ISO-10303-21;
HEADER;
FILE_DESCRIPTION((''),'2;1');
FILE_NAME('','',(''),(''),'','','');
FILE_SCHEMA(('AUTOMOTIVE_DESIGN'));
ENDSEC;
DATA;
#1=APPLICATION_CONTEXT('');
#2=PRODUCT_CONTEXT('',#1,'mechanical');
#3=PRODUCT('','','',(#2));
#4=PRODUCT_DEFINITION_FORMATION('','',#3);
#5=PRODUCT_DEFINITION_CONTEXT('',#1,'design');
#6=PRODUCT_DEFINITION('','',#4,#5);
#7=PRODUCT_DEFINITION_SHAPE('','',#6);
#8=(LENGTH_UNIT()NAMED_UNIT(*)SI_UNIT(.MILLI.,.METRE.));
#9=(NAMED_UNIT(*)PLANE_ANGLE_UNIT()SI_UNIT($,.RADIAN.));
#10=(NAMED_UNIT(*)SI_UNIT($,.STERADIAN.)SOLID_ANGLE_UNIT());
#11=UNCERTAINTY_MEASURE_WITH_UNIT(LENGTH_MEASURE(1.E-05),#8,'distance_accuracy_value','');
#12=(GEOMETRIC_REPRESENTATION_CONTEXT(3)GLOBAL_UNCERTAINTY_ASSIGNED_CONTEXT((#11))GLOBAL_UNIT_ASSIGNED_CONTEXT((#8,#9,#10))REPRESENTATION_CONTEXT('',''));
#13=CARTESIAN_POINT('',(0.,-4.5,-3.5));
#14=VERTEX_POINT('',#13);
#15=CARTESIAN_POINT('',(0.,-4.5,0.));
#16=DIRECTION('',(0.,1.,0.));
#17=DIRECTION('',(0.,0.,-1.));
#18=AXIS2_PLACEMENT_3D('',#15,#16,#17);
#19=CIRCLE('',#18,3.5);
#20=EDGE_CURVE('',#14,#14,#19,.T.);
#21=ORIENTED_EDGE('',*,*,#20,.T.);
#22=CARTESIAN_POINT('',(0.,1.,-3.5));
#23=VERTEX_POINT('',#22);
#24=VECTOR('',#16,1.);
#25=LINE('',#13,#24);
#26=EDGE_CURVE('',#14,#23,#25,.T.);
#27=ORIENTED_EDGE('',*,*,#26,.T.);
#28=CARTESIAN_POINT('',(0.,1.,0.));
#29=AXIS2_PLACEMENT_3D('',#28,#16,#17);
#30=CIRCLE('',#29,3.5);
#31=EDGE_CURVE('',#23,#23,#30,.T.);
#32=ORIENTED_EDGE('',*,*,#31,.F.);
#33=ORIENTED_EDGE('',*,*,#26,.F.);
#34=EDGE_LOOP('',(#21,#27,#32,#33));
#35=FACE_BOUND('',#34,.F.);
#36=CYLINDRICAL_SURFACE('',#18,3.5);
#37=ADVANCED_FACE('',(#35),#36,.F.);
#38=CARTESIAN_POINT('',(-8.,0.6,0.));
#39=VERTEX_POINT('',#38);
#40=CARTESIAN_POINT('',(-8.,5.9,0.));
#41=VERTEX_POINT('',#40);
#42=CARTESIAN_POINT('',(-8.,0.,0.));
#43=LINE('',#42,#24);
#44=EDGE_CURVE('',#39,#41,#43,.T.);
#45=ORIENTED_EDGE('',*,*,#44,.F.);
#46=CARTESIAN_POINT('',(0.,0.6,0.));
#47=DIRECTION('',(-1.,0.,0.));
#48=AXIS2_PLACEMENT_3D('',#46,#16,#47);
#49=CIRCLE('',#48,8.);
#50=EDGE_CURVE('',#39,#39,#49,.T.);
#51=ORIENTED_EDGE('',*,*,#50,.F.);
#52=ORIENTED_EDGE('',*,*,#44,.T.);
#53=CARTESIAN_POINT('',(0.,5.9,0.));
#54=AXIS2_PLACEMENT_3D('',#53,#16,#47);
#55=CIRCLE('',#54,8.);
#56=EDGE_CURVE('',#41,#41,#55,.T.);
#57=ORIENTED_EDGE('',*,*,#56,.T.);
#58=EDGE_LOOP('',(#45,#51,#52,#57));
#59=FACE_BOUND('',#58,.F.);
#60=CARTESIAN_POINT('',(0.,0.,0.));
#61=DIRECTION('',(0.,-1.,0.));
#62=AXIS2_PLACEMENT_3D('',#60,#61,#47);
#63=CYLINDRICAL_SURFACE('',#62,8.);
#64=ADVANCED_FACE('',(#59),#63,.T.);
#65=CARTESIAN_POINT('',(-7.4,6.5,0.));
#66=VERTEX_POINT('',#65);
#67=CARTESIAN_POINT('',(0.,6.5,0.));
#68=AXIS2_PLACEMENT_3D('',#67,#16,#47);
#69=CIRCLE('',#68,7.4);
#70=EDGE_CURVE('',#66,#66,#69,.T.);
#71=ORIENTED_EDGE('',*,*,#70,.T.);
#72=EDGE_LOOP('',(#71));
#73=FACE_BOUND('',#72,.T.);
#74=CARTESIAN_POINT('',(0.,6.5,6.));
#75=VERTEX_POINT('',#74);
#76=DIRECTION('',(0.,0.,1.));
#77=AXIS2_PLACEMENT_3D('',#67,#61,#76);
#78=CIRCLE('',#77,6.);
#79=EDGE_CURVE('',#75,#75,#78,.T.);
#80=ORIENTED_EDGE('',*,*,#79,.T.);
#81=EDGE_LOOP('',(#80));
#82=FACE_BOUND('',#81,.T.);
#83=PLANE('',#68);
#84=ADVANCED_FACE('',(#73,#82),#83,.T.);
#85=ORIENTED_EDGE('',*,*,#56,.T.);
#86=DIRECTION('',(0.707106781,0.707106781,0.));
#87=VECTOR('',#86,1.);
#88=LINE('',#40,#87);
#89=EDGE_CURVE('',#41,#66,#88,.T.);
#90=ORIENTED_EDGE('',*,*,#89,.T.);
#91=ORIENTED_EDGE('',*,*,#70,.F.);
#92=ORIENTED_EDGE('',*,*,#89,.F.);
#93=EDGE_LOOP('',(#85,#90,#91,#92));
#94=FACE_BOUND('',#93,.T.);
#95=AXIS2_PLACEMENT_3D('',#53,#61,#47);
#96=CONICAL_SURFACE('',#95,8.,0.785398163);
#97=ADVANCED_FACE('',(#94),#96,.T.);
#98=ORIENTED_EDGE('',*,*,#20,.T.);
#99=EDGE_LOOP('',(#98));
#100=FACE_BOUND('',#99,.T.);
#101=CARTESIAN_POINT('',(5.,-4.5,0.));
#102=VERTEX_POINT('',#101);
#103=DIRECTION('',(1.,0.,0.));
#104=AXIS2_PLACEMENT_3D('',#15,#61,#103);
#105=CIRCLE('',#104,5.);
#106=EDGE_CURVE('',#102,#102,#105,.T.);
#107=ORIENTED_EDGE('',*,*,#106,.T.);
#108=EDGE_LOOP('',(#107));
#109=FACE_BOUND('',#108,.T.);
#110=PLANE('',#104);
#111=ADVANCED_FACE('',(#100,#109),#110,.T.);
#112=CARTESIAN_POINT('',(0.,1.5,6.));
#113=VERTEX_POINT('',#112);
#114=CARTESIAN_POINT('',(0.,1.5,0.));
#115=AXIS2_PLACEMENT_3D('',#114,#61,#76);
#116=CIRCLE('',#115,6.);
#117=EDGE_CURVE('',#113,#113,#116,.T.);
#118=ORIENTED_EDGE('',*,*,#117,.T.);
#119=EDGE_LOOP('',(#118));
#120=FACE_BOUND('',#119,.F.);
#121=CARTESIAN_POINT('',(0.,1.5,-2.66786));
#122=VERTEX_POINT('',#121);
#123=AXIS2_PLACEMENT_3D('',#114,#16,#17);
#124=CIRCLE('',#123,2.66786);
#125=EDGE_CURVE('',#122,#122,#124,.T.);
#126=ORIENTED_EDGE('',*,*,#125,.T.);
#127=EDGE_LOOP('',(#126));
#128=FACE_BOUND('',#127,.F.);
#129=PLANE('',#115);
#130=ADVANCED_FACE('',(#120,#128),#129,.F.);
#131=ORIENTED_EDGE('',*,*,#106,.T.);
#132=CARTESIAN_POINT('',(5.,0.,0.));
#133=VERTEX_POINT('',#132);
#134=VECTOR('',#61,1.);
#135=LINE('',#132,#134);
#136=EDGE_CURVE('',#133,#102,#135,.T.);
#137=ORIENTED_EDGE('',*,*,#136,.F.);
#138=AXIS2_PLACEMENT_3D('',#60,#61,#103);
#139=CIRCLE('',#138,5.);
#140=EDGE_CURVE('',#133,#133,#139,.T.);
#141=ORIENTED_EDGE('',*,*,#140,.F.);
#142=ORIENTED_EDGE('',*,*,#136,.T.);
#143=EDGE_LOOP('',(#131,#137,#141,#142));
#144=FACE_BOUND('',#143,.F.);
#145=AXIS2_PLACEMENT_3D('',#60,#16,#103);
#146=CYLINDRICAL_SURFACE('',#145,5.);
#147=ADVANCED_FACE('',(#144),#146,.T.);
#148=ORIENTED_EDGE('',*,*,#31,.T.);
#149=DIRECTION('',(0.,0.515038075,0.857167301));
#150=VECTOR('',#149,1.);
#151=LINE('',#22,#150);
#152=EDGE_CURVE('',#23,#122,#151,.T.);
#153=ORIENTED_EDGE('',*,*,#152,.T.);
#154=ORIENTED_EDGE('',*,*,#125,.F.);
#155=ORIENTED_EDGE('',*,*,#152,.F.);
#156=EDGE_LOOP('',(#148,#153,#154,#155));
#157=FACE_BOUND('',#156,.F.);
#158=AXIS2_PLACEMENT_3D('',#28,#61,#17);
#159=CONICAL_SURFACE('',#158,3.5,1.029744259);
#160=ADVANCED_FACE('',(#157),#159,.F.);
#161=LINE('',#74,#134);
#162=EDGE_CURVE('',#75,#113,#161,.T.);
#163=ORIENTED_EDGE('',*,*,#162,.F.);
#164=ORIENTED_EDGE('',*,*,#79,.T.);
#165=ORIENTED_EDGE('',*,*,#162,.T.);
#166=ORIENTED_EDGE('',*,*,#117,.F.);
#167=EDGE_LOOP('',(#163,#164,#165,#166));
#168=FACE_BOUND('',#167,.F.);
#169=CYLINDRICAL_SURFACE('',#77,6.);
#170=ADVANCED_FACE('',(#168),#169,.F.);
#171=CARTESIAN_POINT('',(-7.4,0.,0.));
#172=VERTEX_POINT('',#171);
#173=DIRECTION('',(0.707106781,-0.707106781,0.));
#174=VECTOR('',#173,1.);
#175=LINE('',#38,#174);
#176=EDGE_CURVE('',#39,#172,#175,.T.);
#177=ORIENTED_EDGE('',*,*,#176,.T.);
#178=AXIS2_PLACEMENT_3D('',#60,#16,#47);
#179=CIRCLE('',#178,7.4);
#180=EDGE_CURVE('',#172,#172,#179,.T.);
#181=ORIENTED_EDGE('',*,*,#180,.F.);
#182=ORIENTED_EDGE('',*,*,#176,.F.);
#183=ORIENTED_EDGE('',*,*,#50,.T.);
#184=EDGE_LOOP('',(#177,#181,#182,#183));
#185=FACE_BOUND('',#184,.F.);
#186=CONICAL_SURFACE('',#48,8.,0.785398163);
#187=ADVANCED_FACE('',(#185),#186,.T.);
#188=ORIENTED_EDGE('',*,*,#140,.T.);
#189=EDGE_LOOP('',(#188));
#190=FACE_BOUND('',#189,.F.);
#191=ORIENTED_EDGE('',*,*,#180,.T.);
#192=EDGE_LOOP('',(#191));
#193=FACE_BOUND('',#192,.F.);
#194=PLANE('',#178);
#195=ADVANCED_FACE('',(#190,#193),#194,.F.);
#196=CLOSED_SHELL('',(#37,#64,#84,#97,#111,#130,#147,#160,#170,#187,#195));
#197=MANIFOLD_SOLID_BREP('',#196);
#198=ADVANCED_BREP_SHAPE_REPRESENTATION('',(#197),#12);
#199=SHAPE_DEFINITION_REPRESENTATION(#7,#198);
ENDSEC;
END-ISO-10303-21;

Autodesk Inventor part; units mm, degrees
ref_plane "YZ Plane" through (0, 0, 0) normal (1, 0, 0) x (0, 1, 0)
ref_plane "XZ Plane" through (0, 0, 0) normal (0, 1, 0) x (-1, 0, 0)
ref_plane "XY Plane" through (0, 0, 0) normal (0, 0, 1) x (1, 0, 0)
sketch "Skizze1" plane through (0, 0, 0) normal (0, 1, 0) x (-1, 0, 0)
  circle A0 centre (0, 0) radius 8
  dimension "d0" = 16
extrude "Extrusion1" add sketch "Skizze1" along normal blind 6.5
sketch "Skizze2" plane through (0, 0, 0) normal (0, -1, 0) x (1, 0, 0)
  circle A0 centre (0, 0) radius 5
  dimension "d3" = 10
extrude "Extrusion2" add sketch "Skizze2" along normal blind 4.5
sketch "Skizze3" plane through (0, -4.5, 0) normal (0, -1, 0) x (1, 0, 0)
  circle A0 centre (0, 0) radius 5 projected
hole "Bohrung1" at (0, -4.5, 0) direction (0, 1, 0) diameter 7 depth 5.5 tip angle 118
sketch "Skizze4" plane through (0, 6.5, 0) normal (0, 1, 0) x (1, 0, 0)
  circle A0 centre (0, 0) radius 8 projected
hole "Bohrung2" at (0, 6.5, 0) direction (0, -1, 0) diameter 12 depth 5
chamfer "Fasen1" distance 0.6 angle 45 2 edges at (8, 6.5, 0) (8, 0, 0)
properties part number "8"
